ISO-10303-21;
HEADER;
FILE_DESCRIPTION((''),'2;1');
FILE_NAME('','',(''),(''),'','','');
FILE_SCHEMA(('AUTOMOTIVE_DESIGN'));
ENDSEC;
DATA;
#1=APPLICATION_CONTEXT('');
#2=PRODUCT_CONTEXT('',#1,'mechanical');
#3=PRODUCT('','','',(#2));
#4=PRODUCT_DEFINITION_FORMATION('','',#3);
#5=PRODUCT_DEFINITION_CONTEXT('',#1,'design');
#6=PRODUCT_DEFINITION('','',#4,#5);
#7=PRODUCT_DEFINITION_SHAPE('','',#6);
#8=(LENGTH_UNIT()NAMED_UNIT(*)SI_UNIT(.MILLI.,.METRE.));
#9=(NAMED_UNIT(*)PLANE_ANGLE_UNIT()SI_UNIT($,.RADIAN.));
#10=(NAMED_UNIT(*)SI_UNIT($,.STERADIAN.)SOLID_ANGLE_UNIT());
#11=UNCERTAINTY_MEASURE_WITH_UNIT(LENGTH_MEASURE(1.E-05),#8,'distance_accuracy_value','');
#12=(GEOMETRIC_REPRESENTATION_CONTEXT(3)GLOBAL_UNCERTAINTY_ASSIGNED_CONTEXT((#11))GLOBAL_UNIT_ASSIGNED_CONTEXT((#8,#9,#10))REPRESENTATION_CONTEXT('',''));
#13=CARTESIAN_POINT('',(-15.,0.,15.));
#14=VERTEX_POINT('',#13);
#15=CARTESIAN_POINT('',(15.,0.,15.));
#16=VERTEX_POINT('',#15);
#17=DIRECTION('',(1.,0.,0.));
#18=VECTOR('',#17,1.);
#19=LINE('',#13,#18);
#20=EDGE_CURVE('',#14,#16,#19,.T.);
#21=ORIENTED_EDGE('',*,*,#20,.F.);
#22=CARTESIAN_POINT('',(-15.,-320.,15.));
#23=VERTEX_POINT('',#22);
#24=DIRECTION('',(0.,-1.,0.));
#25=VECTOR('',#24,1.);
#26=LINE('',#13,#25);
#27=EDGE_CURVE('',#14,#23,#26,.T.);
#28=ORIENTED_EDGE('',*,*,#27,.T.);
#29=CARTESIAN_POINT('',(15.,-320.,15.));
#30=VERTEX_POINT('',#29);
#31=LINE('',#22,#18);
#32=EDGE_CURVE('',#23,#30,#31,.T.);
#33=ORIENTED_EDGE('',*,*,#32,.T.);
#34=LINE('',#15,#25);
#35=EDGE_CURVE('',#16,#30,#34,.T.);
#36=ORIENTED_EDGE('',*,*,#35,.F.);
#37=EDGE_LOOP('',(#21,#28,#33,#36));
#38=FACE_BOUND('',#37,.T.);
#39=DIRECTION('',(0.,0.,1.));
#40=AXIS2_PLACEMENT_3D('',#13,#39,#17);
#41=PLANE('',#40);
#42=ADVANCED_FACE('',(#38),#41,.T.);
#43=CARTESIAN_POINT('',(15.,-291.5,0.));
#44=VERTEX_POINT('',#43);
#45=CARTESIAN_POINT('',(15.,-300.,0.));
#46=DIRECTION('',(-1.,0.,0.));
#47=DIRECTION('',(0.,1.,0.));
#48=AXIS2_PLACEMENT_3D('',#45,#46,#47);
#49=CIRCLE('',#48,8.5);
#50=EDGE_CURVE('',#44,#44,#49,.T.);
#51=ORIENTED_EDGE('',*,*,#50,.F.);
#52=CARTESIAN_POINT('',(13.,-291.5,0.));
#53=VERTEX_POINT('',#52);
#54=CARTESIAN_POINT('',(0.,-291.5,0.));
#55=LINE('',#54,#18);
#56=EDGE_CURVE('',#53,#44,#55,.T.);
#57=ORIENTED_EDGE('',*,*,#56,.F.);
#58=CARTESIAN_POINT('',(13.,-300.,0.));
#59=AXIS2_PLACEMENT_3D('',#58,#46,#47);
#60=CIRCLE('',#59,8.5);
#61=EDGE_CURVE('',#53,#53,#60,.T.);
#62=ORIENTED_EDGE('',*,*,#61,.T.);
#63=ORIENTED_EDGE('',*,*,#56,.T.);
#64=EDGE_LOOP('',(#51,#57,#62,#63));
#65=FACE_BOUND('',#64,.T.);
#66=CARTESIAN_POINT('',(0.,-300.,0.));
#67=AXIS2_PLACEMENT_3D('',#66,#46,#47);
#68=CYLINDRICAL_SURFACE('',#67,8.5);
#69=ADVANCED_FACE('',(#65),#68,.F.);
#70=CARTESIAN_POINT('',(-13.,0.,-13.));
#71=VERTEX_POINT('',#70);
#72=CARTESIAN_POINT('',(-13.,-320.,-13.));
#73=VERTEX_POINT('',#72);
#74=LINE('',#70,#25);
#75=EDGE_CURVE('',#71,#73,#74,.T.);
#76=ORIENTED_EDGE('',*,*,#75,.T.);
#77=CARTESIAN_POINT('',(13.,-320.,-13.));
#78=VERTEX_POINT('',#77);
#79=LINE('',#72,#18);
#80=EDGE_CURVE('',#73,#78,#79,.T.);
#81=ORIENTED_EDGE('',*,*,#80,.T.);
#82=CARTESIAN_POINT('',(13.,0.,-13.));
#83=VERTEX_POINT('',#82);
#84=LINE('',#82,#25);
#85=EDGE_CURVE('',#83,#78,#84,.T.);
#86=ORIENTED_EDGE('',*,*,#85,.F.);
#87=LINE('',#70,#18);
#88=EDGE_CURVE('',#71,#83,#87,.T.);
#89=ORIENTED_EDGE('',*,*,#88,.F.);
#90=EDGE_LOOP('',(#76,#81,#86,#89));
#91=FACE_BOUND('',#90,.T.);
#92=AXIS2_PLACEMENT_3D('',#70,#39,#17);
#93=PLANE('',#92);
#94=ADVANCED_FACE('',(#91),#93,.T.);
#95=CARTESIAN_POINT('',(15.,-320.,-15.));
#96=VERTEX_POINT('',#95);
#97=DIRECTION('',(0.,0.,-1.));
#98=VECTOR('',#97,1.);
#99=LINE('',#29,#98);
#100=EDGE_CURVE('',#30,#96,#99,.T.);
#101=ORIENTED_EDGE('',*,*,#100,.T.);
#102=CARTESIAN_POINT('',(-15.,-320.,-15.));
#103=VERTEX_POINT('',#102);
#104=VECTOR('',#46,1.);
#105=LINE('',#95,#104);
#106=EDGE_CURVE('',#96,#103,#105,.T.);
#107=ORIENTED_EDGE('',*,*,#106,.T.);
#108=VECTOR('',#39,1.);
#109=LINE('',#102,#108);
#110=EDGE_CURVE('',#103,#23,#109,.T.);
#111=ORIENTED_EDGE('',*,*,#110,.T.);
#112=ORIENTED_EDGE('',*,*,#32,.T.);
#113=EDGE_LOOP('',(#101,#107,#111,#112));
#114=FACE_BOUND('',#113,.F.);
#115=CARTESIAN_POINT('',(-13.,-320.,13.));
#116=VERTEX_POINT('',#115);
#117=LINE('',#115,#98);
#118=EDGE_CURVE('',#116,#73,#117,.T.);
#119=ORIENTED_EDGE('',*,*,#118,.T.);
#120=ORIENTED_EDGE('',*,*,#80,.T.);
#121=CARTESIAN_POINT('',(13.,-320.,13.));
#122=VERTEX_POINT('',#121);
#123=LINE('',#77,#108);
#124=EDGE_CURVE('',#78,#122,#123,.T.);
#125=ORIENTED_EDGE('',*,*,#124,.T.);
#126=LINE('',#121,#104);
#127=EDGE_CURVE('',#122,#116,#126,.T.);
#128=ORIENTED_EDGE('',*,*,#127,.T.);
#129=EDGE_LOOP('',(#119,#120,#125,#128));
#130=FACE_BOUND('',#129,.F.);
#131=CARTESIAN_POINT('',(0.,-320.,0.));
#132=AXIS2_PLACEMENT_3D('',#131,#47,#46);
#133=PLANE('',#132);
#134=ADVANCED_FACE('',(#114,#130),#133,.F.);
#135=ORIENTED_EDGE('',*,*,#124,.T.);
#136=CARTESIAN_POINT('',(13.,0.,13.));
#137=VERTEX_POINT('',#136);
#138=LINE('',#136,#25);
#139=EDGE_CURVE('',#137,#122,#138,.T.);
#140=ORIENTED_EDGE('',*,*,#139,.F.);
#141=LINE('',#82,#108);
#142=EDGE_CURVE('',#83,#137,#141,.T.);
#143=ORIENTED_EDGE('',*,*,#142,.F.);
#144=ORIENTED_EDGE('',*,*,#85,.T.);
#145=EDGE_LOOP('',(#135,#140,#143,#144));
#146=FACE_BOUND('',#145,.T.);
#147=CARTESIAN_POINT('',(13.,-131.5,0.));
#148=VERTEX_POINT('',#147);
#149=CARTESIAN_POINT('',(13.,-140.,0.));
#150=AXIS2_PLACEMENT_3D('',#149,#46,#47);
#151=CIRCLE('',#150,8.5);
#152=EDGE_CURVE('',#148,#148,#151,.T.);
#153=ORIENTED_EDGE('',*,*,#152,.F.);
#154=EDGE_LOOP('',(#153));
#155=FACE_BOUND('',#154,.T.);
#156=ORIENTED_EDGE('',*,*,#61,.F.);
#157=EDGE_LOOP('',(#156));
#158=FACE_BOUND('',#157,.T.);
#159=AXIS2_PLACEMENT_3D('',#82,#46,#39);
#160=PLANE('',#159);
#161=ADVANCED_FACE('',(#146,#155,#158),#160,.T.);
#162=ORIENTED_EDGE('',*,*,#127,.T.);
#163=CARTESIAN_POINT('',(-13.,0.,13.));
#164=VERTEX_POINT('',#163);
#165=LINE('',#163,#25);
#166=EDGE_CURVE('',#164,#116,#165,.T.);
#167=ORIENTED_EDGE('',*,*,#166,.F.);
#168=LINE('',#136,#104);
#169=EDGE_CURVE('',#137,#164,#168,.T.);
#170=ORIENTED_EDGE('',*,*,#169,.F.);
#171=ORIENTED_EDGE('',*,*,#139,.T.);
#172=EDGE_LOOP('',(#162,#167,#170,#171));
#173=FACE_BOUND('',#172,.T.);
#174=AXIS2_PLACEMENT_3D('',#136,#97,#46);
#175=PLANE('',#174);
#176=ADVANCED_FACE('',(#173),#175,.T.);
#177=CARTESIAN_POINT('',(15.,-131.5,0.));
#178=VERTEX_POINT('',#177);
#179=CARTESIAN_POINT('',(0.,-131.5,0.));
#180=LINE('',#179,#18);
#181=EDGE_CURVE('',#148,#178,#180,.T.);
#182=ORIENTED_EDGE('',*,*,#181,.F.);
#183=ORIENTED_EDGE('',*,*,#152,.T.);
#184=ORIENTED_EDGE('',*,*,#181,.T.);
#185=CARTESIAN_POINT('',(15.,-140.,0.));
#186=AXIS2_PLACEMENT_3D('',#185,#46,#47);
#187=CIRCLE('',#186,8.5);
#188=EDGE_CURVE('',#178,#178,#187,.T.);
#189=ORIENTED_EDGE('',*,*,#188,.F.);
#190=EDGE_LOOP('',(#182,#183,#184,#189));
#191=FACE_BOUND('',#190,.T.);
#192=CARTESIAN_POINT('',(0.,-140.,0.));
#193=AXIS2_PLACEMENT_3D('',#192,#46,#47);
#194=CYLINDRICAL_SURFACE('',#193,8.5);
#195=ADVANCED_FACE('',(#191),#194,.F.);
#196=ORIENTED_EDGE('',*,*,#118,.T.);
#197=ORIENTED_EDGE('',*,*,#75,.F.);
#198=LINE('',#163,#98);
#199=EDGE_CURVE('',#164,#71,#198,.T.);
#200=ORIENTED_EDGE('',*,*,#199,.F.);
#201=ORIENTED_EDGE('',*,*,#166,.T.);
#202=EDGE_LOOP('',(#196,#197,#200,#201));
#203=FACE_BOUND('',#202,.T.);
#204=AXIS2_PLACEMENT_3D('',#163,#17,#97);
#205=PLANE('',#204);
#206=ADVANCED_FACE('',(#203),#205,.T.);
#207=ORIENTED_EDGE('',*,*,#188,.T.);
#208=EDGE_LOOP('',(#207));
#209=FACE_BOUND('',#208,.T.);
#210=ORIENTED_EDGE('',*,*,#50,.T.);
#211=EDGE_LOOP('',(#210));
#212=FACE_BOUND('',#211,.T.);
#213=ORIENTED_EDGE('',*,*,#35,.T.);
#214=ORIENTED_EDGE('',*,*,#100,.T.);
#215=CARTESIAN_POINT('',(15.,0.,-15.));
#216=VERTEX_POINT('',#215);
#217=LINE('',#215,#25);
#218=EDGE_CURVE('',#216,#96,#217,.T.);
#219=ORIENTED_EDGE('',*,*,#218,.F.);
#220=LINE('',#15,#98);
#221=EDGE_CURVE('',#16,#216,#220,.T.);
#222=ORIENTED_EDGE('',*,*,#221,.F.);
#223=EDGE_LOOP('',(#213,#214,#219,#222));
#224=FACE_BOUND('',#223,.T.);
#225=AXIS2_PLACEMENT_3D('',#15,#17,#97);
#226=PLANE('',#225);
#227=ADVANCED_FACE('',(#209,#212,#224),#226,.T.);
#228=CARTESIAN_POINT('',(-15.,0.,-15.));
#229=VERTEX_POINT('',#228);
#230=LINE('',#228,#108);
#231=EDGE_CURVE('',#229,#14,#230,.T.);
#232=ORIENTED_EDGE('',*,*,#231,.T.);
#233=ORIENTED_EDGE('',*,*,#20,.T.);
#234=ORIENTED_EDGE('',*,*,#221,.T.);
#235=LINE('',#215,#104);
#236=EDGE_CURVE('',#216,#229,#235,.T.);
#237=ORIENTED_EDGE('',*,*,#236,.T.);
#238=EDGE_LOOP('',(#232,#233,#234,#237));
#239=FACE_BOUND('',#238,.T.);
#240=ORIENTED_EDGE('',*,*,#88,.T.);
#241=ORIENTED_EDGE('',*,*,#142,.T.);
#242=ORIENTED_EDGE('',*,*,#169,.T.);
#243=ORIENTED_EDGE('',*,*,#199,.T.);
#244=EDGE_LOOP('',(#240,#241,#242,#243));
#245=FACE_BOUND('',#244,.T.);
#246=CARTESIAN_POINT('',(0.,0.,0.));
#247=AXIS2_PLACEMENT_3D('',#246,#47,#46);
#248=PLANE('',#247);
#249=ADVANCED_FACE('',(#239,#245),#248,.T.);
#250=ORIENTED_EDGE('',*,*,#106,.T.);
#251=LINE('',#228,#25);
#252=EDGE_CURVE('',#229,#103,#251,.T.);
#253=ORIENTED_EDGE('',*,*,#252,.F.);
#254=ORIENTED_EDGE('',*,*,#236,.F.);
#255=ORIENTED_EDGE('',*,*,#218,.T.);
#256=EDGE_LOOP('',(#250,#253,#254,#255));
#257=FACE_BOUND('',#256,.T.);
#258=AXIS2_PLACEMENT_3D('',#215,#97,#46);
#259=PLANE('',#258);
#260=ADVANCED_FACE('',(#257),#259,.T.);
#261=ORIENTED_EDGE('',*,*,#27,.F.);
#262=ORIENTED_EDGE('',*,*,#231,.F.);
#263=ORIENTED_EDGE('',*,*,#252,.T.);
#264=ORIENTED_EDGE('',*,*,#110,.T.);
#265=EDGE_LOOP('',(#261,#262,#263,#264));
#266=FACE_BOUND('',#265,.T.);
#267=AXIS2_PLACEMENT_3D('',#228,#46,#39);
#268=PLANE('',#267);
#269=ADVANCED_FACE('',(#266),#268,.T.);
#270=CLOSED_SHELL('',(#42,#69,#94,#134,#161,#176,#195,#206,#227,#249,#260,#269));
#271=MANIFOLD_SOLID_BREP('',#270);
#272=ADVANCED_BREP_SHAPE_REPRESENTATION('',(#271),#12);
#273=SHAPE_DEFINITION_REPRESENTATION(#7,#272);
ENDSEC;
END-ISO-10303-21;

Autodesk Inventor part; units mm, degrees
ref_plane "YZ Plane" through (0, 0, 0) normal (1, 0, 0) x (0, 1, 0)
ref_plane "XZ Plane" through (0, 0, 0) normal (0, 1, 0) x (-1, 0, 0)
ref_plane "XY Plane" through (0, 0, 0) normal (0, 0, 1) x (1, 0, 0)
sketch "Sketch9" plane through (0, 0, 0) normal (0, 1, 0) x (-1, 0, 0)
  line L0 (15, 15) -> (-15, 15)
  line L1 (-15, 15) -> (-15, -15)
  line L2 (-15, -15) -> (15, -15)
  line L3 (15, -15) -> (15, 15)
  line L4 (15, 15) -> (-15, -15) construction
  line L5 (-15, 15) -> (15, -15) construction
  line L6 (-13, 13) -> (13, 13)
  line L7 (13, 13) -> (13, -13)
  line L8 (13, -13) -> (-13, -13)
  line L9 (-13, -13) -> (-13, 13)
  point P0 (0, 0)
  dimension "d172" = 30
  dimension "d173" = 30
  dimension "d174" = 2
extrude "Extrusion3" add sketch "Sketch9" against normal blind 320
sketch "Sketch10" plane through (0, 0, 0) normal (1, 0, 0) x (0, 1, 0)
  line L0 (0, 15) -> (0, -15) construction
  line L1 (0, 15) -> (-320, 15) construction
  line L2 (-320, -15) -> (-320, 15) construction
  line L3 (0, -15) -> (-320, -15) construction
  line L4 (-148.5, 8.5) -> (-131.5, 8.5)
  line L5 (-131.5, 8.5) -> (-131.5, -8.5)
  line L6 (-131.5, -8.5) -> (-148.5, -8.5)
  line L7 (-148.5, -8.5) -> (-148.5, 8.5)
  line L8 (-148.5, 8.5) -> (-131.5, -8.5) construction
  line L9 (-131.5, 8.5) -> (-148.5, -8.5) construction
  line L10 (-308.5, 8.5) -> (-291.5, 8.5)
  line L11 (-291.5, 8.5) -> (-291.5, -8.5)
  line L12 (-291.5, -8.5) -> (-308.5, -8.5)
  line L13 (-308.5, -8.5) -> (-308.5, 8.5)
  line L14 (-308.5, 8.5) -> (-291.5, -8.5) construction
  line L15 (-291.5, 8.5) -> (-308.5, -8.5) construction
  line L16 (-428.5, 8.5) -> (-411.5, 8.5)
  line L17 (-411.5, 8.5) -> (-411.5, -8.5)
  line L18 (-411.5, -8.5) -> (-428.5, -8.5)
  line L19 (-428.5, -8.5) -> (-428.5, 8.5)
  line L20 (-428.5, 8.5) -> (-411.5, -8.5) construction
  line L21 (-411.5, 8.5) -> (-428.5, -8.5) construction
  circle A0 centre (-470, 0) radius 8.5
  line L22 (0, 0) -> (30, 0)
  circle A1 centre (-140, 0) radius 8.5
  circle A2 centre (-300, 0) radius 8.5
  circle A3 centre (-420, 0) radius 8.5
  dimension "d177" = 17
  dimension "d178" = 17
  dimension "d181" = 30
  dimension "d182" = 170
  dimension "d183" = 330
  dimension "d184" = 450
  dimension "d185" = 500
  dimension "d186" = 17
extrude "Extrusion4" cut sketch "Sketch10" along normal through all contours A1 | A2
properties part number "TZS 756 FDS 940 way tube 3" material "Stainless Steel"
